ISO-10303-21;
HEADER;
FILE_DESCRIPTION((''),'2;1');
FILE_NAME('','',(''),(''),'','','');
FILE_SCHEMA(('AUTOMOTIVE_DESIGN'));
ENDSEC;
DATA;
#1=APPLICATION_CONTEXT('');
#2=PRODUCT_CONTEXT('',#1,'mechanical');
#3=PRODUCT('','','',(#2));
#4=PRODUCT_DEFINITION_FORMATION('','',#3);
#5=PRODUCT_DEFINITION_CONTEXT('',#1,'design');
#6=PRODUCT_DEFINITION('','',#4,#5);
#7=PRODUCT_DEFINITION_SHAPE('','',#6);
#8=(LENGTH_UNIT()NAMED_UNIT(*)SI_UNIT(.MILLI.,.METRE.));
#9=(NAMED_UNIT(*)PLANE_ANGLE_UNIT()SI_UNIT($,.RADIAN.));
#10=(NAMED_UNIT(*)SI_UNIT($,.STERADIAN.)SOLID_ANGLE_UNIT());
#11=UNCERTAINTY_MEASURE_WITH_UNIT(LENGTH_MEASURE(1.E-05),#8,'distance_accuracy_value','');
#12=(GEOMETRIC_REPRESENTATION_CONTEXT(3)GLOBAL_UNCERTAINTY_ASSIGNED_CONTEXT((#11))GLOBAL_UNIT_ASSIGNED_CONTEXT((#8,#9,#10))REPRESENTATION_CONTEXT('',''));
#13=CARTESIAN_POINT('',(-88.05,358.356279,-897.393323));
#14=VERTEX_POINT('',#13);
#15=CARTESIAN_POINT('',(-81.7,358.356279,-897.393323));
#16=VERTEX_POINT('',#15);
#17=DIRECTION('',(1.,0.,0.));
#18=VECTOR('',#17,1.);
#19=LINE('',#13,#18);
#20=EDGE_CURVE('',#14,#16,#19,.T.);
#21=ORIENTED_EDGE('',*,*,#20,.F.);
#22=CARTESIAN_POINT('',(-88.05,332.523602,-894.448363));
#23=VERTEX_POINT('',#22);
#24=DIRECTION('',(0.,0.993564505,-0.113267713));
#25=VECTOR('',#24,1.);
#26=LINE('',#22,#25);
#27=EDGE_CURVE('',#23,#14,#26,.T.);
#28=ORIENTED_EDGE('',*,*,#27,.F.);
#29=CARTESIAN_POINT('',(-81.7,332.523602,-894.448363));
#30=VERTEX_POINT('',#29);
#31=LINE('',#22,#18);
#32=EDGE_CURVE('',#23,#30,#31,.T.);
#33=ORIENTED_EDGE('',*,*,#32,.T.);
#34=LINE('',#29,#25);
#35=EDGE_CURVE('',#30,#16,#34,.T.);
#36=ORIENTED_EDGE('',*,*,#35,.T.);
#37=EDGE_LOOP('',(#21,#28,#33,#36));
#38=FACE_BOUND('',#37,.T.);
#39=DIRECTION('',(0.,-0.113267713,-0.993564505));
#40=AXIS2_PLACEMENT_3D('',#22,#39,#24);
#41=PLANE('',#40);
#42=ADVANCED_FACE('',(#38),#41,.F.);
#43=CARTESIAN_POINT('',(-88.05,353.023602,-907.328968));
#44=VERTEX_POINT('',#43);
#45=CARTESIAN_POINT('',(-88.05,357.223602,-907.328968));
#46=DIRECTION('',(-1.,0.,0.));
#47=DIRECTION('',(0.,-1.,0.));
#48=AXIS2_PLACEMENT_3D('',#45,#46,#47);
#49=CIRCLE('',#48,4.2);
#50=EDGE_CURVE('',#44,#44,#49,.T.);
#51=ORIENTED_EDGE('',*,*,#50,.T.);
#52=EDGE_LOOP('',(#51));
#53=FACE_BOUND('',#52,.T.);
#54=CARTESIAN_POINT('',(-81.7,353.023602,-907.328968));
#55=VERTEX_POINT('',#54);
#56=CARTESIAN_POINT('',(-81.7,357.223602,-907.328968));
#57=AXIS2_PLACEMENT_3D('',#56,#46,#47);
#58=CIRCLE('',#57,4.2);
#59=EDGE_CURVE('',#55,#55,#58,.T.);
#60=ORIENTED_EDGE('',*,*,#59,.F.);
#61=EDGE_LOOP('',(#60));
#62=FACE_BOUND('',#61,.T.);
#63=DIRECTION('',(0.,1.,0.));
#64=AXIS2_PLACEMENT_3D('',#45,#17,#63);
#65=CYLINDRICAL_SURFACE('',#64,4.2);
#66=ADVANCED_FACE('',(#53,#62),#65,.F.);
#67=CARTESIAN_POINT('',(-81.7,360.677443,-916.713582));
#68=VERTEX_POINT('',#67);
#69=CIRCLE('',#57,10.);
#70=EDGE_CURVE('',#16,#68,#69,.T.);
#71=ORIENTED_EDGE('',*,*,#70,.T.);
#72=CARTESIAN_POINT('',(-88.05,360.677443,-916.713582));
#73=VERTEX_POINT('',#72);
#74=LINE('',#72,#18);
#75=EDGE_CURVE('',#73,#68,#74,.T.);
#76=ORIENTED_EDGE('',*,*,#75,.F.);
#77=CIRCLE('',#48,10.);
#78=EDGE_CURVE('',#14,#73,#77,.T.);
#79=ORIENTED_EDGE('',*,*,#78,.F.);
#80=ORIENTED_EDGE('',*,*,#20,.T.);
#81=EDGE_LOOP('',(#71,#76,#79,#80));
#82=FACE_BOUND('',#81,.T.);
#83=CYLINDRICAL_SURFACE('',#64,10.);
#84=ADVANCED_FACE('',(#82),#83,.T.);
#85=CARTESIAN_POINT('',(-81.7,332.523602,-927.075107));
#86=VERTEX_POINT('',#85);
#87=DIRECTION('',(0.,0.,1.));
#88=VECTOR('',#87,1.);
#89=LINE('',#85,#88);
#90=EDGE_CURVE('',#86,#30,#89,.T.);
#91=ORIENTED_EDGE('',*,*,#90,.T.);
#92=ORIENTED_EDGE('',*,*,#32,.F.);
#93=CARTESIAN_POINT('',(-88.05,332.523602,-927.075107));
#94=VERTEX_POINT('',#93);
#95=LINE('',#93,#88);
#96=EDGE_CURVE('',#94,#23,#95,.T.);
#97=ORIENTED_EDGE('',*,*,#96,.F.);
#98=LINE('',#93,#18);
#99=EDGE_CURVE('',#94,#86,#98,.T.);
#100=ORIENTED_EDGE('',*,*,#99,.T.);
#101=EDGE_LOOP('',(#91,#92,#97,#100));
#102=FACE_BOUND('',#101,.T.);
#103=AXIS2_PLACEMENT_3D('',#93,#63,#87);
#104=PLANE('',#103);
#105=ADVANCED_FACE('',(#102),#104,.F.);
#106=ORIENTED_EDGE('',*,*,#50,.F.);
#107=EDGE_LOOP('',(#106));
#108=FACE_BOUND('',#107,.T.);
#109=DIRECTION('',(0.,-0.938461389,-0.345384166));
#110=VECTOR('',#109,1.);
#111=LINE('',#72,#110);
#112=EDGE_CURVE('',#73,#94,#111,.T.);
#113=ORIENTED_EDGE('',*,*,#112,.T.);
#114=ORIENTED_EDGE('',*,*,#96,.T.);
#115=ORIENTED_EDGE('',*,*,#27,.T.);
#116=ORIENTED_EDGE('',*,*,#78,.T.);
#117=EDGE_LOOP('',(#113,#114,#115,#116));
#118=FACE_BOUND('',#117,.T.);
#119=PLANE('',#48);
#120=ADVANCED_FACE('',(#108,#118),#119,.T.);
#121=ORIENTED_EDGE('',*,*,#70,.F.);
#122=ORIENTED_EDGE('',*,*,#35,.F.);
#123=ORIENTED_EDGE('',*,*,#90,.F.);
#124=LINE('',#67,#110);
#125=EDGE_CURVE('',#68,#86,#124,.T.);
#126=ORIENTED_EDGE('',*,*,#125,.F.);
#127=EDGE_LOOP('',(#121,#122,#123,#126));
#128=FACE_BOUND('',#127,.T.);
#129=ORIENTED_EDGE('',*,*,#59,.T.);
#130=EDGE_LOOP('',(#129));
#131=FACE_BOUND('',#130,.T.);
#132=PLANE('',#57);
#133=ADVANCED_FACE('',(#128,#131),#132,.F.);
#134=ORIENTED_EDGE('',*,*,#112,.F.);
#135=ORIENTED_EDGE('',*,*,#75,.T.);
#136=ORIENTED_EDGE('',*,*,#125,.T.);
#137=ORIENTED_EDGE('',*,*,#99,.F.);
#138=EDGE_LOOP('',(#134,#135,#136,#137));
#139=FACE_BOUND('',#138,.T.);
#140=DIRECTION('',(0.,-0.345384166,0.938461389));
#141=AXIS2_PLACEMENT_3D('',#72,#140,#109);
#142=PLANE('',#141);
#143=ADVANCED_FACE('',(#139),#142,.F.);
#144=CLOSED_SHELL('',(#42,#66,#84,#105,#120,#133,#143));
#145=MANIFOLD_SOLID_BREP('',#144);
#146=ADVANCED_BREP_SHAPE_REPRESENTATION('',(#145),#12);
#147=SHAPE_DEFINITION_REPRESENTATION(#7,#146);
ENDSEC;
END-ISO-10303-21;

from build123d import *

# Parameters (mm, degrees)
SKETCH1_R           = 4.2
BOSS_EXTRUDE1_DEPTH = 6.35


with BuildPart() as part:
    # Sketch1 → Boss-Extrude1 (new body)
    with BuildSketch(Plane.ZY.offset(81.7)):
        with BuildLine():
            Line((-916.713582015, 360.677443288), (-927.075106991, 332.523601629))
            Line((-927.075106991, 332.523601629), (-894.448362552, 332.523601629))
            Line((-894.448362552, 332.523601629), (-897.39332308, 358.356278755))
            ThreePointArc((-897.39332308, 358.356278755), (-906.13613116, 367.152203744), (-916.713582015, 360.677443288))
        make_face()
        with Locations(Location((-907.328968128, 357.223601629, 0), (0, 0, 270))):
            Circle(SKETCH1_R, mode=Mode.SUBTRACT)
    extrude(amount=BOSS_EXTRUDE1_DEPTH)


solid = part.part
